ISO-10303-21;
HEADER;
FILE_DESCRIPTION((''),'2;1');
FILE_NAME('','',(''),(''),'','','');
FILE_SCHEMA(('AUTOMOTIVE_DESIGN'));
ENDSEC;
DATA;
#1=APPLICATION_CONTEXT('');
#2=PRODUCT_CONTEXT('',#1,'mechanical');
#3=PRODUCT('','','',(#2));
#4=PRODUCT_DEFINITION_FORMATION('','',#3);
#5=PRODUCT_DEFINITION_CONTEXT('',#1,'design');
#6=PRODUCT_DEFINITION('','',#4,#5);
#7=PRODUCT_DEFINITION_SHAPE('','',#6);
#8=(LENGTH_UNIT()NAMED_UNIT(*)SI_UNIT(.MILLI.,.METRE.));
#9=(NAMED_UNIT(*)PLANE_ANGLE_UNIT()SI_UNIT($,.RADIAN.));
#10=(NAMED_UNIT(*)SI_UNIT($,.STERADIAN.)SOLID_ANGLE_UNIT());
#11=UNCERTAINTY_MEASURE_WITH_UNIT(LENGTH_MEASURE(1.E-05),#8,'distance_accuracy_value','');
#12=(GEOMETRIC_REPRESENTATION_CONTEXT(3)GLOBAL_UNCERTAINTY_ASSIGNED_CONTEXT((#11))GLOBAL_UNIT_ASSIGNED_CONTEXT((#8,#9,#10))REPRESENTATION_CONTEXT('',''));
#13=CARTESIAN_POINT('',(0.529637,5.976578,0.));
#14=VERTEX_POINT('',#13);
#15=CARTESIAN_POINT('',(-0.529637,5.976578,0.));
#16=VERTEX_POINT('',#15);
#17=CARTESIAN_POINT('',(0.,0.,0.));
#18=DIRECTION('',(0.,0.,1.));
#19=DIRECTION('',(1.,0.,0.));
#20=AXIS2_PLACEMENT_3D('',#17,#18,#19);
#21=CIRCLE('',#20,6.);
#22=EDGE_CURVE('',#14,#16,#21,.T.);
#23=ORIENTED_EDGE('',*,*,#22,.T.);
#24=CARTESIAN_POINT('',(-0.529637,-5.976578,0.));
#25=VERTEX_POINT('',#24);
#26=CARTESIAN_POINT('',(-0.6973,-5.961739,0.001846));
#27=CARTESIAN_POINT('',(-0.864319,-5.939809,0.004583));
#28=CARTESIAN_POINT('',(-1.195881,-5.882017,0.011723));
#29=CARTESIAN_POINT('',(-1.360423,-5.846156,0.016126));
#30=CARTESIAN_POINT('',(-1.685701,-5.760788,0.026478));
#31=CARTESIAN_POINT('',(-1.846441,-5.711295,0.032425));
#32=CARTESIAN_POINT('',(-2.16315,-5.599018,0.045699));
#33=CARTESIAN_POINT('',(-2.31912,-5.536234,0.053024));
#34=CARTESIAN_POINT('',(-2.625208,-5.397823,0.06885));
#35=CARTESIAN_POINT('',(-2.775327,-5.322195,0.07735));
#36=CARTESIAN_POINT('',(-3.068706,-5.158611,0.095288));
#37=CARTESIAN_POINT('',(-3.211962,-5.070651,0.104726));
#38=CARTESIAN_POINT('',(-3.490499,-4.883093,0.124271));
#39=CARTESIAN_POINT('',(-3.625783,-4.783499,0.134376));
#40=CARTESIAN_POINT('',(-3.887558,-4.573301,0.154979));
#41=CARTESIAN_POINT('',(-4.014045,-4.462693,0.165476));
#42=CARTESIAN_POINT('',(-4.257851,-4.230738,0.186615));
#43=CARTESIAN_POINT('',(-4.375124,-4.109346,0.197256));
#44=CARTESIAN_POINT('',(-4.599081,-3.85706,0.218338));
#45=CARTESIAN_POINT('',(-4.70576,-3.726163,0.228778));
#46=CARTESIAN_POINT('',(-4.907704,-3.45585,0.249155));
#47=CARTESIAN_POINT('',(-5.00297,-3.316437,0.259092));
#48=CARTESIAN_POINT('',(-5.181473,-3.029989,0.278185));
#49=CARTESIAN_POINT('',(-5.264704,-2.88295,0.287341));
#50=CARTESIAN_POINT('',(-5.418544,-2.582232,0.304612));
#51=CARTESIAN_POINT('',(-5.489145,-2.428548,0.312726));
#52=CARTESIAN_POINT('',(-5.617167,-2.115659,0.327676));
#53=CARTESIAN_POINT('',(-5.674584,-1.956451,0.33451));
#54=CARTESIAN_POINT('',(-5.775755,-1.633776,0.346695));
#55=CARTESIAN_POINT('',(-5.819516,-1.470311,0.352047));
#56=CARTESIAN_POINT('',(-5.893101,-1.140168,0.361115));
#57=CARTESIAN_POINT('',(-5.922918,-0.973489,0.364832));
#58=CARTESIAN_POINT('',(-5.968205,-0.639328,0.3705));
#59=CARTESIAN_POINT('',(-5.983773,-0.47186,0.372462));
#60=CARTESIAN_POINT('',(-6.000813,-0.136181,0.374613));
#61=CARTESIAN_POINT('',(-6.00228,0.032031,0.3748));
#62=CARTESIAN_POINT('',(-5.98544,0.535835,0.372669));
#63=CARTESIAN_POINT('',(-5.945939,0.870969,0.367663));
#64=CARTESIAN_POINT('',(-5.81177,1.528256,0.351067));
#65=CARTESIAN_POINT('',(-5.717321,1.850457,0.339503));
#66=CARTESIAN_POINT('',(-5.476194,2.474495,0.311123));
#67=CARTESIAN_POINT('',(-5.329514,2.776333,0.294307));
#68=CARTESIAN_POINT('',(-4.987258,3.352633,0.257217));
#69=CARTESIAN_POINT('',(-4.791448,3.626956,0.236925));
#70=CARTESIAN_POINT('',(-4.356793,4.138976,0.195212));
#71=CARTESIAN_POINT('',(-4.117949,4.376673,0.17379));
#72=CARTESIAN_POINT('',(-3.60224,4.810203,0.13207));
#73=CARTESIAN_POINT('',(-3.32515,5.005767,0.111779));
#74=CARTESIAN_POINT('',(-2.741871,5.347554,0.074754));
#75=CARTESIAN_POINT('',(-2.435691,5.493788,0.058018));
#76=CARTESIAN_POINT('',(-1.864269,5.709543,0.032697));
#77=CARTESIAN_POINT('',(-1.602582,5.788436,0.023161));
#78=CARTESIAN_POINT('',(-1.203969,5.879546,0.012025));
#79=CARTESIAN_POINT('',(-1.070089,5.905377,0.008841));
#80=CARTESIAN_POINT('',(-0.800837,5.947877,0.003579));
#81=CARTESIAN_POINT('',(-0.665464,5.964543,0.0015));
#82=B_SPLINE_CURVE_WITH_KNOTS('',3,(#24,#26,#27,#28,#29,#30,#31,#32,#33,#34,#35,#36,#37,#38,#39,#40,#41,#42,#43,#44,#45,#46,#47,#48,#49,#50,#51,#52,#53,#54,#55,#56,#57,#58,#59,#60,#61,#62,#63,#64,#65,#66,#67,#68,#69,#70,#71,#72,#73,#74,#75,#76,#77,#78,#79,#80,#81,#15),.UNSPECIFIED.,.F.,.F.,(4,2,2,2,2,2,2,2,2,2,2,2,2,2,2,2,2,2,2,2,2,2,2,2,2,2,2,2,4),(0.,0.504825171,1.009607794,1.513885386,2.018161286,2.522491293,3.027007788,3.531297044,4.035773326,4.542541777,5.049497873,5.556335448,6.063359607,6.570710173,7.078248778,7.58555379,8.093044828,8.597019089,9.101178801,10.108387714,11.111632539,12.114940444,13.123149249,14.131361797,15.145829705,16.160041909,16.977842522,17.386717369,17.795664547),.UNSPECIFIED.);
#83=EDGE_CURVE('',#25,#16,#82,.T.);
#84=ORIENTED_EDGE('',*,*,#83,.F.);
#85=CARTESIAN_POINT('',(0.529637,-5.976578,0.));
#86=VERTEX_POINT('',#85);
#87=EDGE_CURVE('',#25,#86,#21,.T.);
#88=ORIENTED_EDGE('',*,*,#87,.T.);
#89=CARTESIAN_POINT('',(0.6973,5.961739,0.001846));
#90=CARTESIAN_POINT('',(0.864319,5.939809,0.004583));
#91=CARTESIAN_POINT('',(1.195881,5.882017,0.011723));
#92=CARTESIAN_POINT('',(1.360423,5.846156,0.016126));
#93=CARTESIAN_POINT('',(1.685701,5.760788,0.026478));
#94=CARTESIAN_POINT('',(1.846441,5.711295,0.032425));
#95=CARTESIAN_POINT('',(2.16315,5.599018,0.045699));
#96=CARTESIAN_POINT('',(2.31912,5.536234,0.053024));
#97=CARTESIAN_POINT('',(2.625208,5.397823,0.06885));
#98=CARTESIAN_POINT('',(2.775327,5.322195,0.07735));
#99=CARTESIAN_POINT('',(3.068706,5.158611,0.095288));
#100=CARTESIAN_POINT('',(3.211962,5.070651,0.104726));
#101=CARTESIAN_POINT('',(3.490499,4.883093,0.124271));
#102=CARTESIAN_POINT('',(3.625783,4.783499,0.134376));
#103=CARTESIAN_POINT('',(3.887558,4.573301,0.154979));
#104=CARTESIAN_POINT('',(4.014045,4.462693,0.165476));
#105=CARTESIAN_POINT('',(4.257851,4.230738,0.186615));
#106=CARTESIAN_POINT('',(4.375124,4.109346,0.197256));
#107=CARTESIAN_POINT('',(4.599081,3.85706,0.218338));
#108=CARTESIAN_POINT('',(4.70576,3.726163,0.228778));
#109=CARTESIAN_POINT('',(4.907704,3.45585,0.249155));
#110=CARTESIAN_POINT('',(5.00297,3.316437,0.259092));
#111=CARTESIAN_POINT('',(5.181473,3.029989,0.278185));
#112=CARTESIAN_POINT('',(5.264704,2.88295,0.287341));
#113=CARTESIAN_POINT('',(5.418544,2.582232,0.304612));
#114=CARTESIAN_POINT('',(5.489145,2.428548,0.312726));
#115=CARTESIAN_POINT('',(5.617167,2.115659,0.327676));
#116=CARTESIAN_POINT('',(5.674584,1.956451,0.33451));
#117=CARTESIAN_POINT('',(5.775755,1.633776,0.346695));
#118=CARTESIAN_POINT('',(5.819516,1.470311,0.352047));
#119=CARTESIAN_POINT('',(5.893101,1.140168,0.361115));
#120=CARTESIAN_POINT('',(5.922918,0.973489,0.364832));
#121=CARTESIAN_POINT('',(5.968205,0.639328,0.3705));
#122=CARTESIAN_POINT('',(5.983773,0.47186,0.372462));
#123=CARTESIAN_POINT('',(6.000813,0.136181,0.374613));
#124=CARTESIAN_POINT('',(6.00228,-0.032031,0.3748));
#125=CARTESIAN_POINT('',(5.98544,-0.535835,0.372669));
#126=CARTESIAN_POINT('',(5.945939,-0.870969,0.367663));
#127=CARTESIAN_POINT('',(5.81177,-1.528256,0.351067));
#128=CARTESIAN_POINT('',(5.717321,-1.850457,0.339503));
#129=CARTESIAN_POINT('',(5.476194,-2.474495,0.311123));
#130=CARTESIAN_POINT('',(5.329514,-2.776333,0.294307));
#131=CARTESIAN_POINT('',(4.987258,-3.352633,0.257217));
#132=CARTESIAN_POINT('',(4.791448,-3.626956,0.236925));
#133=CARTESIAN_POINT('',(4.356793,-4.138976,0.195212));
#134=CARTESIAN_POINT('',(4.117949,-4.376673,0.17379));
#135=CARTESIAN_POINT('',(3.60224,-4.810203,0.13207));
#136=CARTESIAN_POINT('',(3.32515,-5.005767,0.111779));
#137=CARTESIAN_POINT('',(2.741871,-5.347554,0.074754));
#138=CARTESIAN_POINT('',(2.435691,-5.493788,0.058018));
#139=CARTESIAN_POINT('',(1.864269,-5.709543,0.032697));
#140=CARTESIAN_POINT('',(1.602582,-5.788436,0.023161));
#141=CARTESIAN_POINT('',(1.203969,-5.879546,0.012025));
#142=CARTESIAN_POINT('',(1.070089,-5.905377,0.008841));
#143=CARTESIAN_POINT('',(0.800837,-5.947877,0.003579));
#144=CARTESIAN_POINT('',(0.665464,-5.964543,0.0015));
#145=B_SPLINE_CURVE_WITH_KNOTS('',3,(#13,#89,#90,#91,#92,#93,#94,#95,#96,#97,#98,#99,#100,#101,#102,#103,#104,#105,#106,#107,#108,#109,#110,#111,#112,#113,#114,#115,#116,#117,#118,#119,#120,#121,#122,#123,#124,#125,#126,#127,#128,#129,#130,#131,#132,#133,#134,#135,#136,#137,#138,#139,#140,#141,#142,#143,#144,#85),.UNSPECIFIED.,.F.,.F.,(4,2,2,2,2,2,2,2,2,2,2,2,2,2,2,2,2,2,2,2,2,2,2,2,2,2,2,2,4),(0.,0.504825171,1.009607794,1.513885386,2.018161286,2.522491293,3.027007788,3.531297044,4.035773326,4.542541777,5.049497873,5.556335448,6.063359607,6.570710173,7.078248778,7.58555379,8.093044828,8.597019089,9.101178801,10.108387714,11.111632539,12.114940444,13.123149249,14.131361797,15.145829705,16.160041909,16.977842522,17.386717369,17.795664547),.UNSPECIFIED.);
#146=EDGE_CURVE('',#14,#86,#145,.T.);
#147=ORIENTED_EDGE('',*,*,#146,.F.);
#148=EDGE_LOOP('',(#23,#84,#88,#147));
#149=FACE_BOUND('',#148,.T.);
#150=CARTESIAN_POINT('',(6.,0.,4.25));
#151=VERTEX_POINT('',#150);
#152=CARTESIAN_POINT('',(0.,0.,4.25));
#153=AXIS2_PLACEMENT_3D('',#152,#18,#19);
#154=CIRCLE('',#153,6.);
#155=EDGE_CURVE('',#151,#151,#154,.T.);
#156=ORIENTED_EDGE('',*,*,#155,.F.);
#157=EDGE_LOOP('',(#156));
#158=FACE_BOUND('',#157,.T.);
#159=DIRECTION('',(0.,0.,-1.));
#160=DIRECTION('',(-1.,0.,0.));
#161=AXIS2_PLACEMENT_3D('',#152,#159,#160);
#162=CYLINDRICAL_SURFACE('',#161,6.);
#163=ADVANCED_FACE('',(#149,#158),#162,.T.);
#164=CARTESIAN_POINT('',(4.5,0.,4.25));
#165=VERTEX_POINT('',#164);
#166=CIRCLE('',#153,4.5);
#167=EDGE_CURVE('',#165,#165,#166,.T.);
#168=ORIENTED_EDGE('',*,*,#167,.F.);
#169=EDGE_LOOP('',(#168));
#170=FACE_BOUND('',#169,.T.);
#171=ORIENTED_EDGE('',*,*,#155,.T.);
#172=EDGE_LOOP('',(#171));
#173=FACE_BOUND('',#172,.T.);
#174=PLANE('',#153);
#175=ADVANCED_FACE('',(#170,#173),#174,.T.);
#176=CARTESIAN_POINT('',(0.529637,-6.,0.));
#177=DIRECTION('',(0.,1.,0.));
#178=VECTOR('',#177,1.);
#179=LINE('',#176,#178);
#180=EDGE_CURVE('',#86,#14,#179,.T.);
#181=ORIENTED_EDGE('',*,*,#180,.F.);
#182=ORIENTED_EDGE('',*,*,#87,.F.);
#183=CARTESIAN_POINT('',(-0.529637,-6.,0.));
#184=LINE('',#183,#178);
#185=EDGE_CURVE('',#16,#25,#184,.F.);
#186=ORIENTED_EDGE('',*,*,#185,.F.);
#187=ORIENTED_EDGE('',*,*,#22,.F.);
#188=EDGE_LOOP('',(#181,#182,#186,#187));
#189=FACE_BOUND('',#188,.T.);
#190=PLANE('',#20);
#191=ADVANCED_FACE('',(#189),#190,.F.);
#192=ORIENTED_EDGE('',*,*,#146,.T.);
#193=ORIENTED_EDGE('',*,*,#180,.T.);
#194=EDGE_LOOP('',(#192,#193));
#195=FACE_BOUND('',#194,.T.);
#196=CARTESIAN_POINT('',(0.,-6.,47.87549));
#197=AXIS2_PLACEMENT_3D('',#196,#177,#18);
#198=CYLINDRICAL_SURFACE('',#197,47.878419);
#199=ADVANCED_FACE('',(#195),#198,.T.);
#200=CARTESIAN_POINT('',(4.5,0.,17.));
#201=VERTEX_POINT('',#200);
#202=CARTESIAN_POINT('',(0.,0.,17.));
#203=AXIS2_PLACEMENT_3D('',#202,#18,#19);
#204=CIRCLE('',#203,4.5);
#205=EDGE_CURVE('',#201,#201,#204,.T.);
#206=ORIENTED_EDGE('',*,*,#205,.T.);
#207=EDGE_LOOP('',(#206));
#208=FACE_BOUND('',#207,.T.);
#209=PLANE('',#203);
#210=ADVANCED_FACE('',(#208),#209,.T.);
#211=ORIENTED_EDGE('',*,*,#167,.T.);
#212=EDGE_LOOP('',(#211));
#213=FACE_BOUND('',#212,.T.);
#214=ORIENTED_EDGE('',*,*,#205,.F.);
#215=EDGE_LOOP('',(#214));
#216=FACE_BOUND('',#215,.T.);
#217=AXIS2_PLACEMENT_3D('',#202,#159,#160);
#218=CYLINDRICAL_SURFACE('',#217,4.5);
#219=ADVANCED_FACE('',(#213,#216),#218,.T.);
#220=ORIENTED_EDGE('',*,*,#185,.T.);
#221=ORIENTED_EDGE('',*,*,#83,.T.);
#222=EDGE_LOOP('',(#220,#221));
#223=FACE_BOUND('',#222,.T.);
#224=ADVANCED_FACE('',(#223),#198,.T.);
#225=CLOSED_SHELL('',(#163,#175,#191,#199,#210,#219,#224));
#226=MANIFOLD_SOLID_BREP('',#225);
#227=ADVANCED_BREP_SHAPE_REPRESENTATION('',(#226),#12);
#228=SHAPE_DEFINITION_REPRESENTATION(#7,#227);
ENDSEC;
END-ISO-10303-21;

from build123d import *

# Parameters (mm, degrees)
SKETCH1_R           = 4.5
BOSS_EXTRUDE1_DEPTH = 17
SKETCH1_4_R         = 6
SKETCH1_4_R_2       = 4.5
BOSS_EXTRUDE2_DEPTH = 4.25
CUT_EXTRUDE1_DEPTH  = 6


with BuildPart() as part:
    # Sketch1 → Boss-Extrude1 (new body)
    with BuildSketch(Plane.XY):
        Circle(SKETCH1_R)
    extrude(amount=BOSS_EXTRUDE1_DEPTH)

    # Sketch1<4> → Boss-Extrude2 (add)
    with BuildSketch(Plane.XY):
        Circle(SKETCH1_4_R)
        Circle(SKETCH1_4_R_2, mode=Mode.SUBTRACT)
    extrude(amount=BOSS_EXTRUDE2_DEPTH)

    # Sketch2 → Cut-Extrude1 (cut, symmetric)
    with BuildSketch(Plane(origin=(0, 0, 0), x_dir=(1, 0, 0), z_dir=(0, 1, 0))):
        with BuildLine():
            Line((-6, 0), (-6, -0.37451045))
            ThreePointArc((-6, -0.37451045), (-3.27018436, -0.108880819), (-0.529637427, 0))
            Line((-0.529637427, 0), (-6, 0))
        make_face()
        with BuildLine():
            Line((6, 0), (0.529637427, 0))
            ThreePointArc((0.529637427, 0), (3.27018436, -0.108880819), (6, -0.37451045))
            Line((6, -0.37451045), (6, 0))
        make_face()
    extrude(amount=CUT_EXTRUDE1_DEPTH, both=True, mode=Mode.SUBTRACT)


solid = part.part
